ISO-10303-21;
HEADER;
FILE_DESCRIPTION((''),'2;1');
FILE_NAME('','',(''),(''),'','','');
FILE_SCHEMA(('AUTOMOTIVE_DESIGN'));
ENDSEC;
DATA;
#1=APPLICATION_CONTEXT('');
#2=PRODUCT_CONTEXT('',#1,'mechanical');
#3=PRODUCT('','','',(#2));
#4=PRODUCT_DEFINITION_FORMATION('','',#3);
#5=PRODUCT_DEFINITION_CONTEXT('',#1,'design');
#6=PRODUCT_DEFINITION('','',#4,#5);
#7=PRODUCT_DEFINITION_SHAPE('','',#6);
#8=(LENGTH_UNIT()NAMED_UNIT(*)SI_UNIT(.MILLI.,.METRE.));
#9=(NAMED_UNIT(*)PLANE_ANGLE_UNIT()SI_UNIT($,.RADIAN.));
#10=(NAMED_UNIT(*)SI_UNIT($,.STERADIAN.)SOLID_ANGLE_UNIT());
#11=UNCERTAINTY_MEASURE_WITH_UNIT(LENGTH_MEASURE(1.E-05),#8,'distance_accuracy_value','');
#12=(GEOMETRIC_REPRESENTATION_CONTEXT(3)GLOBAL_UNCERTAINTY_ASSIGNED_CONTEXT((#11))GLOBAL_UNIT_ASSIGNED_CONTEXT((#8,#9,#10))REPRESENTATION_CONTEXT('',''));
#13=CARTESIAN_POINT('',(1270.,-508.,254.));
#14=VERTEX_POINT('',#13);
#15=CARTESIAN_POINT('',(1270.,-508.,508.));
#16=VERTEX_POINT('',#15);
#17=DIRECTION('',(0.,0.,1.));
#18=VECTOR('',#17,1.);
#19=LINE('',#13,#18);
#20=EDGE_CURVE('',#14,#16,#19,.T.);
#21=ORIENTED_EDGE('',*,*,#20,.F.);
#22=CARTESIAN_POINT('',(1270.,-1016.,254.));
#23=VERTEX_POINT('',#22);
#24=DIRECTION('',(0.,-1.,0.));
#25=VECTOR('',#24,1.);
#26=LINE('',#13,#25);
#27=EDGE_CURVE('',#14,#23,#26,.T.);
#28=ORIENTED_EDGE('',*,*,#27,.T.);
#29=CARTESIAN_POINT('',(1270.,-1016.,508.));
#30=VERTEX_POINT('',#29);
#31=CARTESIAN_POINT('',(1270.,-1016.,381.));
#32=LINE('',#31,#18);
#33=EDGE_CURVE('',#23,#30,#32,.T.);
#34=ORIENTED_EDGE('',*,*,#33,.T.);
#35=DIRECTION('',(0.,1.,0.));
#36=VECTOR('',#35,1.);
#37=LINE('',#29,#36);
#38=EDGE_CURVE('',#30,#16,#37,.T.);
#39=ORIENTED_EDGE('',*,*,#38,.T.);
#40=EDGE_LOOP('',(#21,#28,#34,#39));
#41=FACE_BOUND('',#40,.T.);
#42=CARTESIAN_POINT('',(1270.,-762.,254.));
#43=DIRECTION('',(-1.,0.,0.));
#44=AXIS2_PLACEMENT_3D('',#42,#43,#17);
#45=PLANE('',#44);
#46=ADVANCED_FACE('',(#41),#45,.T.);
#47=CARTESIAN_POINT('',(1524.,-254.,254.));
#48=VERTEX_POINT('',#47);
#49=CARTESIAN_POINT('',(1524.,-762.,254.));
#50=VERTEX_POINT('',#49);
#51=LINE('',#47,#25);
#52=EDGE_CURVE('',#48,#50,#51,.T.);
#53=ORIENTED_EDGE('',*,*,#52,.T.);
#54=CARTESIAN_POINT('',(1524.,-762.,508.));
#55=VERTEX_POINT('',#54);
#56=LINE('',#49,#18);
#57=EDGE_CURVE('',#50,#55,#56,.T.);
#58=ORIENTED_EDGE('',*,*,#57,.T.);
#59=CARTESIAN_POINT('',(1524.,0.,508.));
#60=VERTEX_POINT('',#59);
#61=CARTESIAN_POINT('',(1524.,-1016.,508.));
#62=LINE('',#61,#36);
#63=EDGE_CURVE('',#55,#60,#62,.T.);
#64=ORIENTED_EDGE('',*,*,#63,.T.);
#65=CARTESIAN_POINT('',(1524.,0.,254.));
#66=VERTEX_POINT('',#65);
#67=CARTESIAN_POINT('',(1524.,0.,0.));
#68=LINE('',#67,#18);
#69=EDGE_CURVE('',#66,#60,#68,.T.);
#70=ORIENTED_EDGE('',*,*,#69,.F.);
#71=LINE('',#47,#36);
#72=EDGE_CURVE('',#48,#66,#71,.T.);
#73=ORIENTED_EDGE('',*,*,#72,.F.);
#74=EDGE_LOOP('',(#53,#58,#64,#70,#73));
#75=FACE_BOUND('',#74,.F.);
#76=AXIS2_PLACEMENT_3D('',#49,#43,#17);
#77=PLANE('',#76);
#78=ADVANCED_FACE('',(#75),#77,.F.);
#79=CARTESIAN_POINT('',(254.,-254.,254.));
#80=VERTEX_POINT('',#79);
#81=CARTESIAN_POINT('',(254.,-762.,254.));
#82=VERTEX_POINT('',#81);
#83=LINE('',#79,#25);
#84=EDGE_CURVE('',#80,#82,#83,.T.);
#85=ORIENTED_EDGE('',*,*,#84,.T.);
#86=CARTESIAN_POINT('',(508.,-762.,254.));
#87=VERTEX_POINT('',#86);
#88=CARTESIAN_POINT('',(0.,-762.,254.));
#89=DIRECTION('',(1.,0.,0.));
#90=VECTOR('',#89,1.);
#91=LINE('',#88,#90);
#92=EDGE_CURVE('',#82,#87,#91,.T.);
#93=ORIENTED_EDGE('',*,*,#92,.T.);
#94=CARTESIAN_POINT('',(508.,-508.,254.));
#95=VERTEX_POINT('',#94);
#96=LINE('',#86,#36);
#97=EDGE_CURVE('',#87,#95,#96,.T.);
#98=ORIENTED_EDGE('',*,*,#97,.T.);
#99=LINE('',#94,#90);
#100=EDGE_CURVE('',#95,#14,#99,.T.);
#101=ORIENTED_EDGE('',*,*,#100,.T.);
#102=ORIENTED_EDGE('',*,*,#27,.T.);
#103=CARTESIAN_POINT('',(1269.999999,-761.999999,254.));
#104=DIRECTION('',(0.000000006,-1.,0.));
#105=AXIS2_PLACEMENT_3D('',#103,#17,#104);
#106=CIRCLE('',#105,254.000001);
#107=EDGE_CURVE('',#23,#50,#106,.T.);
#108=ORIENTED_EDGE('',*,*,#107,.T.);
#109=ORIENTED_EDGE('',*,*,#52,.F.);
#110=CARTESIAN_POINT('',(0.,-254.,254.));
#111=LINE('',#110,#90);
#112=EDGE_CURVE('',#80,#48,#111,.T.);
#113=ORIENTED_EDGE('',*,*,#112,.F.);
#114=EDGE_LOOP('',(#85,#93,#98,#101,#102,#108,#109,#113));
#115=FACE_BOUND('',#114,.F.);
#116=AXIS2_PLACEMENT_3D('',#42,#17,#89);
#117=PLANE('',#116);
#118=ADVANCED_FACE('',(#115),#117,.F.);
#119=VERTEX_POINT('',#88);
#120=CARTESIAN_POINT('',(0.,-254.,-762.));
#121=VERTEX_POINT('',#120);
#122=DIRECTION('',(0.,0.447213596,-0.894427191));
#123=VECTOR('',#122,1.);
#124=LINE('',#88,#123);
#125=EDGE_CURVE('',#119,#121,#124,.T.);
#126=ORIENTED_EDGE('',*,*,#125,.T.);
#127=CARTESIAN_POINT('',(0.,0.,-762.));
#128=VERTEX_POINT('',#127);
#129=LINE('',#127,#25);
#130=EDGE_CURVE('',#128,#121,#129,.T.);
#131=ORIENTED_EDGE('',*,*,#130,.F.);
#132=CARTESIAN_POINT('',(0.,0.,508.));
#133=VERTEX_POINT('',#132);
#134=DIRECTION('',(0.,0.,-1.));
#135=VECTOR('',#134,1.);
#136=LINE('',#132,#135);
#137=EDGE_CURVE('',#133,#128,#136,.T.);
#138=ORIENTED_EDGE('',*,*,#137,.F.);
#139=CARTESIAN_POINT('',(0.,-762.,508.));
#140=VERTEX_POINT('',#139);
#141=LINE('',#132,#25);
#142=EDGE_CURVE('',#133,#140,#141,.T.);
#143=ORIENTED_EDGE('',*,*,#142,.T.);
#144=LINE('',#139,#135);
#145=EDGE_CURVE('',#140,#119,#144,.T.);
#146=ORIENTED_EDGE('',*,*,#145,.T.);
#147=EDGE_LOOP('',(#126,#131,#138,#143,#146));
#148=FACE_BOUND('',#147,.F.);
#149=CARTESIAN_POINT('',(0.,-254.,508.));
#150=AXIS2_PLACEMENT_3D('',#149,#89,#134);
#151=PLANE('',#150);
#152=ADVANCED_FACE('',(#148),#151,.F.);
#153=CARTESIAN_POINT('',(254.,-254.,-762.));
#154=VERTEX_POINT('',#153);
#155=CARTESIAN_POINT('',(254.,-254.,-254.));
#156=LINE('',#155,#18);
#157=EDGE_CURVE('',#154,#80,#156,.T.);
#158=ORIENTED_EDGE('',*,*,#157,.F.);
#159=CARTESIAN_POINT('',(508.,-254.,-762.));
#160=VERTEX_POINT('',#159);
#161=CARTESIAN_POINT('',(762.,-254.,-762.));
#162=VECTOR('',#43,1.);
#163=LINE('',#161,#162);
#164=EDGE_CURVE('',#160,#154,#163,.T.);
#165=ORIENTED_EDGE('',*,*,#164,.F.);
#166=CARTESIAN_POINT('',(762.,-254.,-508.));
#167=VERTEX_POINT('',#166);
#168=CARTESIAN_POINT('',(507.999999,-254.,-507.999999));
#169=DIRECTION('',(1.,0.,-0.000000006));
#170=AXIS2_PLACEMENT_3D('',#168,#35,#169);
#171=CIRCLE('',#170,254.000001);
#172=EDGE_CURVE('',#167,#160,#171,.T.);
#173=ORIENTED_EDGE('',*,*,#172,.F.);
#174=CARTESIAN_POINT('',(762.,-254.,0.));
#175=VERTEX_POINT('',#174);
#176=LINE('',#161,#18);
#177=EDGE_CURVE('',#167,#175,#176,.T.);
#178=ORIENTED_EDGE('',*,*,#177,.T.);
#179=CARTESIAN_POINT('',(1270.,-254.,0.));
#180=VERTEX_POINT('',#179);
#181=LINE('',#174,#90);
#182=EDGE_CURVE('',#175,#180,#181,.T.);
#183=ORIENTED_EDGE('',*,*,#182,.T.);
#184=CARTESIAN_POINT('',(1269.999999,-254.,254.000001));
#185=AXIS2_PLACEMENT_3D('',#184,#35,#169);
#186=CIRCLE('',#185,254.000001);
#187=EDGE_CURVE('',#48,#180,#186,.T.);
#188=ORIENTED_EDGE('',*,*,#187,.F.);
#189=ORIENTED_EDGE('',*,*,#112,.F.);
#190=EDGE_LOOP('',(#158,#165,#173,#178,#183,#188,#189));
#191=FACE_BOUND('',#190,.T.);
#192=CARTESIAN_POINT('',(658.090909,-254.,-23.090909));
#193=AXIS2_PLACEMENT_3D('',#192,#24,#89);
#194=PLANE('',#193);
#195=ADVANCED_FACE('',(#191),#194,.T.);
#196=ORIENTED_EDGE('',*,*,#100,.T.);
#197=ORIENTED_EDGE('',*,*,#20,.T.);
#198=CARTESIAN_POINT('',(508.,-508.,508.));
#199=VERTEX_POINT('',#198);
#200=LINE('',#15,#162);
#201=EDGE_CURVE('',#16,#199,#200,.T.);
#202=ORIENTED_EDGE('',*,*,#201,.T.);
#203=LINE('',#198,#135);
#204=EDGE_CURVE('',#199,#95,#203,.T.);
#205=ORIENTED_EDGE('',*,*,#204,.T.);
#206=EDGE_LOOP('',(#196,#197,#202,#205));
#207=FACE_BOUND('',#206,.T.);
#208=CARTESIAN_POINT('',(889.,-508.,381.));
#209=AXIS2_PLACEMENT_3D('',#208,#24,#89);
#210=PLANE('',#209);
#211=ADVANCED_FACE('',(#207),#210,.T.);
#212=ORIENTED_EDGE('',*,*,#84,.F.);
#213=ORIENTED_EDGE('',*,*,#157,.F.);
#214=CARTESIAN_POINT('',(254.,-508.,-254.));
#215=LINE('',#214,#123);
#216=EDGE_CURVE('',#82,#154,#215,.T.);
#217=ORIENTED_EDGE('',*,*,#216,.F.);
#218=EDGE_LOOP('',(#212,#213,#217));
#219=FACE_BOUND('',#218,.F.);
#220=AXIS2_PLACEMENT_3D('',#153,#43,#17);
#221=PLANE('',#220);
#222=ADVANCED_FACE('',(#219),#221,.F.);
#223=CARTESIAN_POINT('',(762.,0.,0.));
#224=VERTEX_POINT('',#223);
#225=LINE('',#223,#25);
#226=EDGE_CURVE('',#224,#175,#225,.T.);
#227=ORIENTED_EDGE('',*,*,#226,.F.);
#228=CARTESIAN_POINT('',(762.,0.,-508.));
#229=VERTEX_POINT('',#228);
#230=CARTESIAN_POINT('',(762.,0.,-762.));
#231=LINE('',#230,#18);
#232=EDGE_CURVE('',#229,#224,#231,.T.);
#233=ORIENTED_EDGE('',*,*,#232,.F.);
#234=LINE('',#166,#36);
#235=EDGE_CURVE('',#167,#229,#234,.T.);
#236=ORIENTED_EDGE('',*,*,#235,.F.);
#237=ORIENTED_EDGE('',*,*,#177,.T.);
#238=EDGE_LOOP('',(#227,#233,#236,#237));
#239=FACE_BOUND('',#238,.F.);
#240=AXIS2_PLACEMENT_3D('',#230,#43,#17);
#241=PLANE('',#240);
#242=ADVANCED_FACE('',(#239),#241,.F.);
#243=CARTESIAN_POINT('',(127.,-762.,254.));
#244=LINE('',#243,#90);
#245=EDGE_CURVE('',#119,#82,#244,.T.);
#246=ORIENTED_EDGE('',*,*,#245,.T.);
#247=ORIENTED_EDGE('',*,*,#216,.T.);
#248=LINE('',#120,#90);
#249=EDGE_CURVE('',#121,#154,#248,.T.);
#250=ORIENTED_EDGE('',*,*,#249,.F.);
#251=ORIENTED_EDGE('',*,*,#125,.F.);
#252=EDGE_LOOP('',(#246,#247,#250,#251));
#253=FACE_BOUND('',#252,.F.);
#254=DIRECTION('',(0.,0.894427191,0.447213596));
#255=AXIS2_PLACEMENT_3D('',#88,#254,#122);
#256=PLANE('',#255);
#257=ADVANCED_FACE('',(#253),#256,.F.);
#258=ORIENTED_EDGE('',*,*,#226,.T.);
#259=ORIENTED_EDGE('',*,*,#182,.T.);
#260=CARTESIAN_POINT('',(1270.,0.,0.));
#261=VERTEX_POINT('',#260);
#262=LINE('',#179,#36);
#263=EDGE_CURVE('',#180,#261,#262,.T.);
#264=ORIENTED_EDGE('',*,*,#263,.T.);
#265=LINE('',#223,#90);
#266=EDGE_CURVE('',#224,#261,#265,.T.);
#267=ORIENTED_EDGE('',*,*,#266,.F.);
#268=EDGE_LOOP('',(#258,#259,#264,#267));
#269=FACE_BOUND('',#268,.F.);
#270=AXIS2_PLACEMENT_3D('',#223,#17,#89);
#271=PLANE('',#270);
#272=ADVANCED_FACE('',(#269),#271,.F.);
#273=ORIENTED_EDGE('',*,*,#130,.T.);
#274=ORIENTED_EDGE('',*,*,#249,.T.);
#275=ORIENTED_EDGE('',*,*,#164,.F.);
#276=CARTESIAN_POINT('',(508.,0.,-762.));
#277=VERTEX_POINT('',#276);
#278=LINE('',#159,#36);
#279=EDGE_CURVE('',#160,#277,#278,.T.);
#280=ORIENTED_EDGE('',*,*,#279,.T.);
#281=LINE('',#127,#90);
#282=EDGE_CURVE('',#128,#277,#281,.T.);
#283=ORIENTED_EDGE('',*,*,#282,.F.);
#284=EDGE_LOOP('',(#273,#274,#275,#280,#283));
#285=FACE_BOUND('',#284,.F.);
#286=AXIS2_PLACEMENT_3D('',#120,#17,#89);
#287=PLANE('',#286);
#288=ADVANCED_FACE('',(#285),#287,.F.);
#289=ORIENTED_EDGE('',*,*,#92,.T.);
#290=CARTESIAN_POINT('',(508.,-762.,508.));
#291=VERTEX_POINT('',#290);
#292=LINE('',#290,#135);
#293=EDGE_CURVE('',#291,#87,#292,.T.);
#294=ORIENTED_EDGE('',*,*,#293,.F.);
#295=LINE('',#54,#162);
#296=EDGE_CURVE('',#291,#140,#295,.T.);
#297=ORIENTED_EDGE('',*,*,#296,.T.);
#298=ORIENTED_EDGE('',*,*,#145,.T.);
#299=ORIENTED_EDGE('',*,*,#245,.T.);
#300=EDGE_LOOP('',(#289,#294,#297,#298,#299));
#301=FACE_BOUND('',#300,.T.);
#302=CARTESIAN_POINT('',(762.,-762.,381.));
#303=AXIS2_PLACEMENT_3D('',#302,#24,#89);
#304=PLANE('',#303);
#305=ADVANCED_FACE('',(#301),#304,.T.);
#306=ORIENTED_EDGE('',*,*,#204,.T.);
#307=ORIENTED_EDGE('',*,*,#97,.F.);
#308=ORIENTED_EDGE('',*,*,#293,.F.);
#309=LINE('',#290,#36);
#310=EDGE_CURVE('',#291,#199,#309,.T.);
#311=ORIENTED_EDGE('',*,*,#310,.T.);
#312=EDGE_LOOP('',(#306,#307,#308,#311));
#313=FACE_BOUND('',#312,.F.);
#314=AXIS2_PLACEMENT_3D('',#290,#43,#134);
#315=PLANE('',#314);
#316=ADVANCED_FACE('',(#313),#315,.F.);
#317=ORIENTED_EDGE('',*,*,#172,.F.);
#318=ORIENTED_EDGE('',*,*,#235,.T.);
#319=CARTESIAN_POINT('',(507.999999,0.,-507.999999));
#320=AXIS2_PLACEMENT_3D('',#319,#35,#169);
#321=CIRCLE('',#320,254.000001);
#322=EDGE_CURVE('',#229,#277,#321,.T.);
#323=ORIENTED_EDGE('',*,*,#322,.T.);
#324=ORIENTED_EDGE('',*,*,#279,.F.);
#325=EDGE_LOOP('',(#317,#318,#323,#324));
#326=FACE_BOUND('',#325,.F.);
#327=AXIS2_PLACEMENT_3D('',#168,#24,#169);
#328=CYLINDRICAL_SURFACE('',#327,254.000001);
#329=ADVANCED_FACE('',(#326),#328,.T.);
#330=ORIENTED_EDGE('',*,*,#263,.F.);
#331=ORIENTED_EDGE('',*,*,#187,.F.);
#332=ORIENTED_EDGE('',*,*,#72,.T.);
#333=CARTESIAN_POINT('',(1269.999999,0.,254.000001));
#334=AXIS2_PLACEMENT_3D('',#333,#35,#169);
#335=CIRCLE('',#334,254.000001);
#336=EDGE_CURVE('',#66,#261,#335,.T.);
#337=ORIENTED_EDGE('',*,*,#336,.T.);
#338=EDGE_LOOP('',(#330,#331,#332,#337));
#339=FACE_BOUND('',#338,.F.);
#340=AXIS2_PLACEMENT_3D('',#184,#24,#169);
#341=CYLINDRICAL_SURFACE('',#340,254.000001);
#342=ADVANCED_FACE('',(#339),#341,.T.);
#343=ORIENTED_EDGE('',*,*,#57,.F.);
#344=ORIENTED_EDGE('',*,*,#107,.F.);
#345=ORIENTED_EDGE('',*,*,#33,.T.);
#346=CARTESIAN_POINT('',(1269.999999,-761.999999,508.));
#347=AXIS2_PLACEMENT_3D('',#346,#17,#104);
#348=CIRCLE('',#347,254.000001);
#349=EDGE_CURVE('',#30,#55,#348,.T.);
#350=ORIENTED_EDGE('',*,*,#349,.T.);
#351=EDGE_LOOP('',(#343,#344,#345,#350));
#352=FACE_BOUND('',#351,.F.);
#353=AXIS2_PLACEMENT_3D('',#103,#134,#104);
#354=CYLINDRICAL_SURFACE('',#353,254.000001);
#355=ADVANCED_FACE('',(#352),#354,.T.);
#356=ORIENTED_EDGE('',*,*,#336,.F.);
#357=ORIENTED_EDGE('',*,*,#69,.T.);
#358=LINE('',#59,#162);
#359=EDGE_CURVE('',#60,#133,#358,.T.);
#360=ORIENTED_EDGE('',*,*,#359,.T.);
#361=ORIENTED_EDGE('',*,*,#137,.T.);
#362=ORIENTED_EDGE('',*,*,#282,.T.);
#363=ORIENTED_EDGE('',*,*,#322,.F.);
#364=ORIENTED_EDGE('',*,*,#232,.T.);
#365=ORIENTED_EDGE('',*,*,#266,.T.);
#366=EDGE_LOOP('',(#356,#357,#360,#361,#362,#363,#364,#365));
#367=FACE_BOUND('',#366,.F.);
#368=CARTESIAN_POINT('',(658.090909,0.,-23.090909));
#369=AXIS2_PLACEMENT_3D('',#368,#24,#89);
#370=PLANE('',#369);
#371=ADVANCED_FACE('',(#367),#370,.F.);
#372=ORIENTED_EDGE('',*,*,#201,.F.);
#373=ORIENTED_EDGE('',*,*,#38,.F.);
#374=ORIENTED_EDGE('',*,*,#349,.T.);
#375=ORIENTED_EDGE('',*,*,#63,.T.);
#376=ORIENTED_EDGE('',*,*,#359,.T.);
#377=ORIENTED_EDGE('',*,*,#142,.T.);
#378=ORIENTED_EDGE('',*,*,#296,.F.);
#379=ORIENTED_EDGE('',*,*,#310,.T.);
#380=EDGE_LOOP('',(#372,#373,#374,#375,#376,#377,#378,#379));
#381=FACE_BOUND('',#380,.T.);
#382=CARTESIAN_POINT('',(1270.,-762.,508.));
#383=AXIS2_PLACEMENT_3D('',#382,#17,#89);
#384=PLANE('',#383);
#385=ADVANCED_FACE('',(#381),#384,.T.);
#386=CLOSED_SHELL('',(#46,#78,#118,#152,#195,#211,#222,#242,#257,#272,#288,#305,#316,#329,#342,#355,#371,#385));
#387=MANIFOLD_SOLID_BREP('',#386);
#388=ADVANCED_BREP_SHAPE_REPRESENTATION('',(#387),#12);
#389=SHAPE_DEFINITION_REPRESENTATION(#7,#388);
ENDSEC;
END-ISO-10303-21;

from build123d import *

# Parameters (mm, degrees)
F1_DEPTH  = 254
F2_W      = 254
F2_H      = 1016
F3_DEPTH  = 508
F5_DEPTH  = 309.88
F7_DEPTH  = 508
F9_DEPTH  = 254
F10_W     = 254
F10_H     = 254
F11_DEPTH = 254
F13_DEPTH = 254
F15_DEPTH = 254
F17_DEPTH = 254


with BuildPart() as f1:
    # F0 (on Front) → F1 (new body)
    with BuildSketch(Plane.XZ):
        Polygon((1524, 508), (0, 508), (0, -762), (762, -762), (762, 0), (1524, 0), align=None)
    extrude(amount=F1_DEPTH)

    # F2 (on face) → F3 (join)
    with BuildSketch(Plane.XZ.offset(254)):
        with Locations((127, -254)):
            Rectangle(F2_W, F2_H)
    extrude(amount=F3_DEPTH)

    # F4 (on face) → F5 (cut)
    with BuildSketch(Plane(origin=(0, 0, 0), x_dir=(0, -1, 0), z_dir=(-1, 0, 0))):
        Polygon((762, 254), (254, -762), (508, -762), (762, -762), align=None)
    extrude(amount=-F5_DEPTH, mode=Mode.SUBTRACT)

    # F6 (on face) → F7 (join)
    with BuildSketch(Plane.XZ.offset(254)):
        Polygon((1524, 508), (0, 508), (0, 254), (254, 254), (1524, 254), align=None)
    extrude(amount=F7_DEPTH)

    # F8 (on face) → F9 (cut)
    with BuildSketch(Plane.XZ.offset(762)):
        Polygon((762, 508), (508, 508), (508, 254), (1270, 254), (1270, 508), (1016, 508), align=None)
    extrude(amount=-F9_DEPTH, mode=Mode.SUBTRACT)

    # F10 (on face) → F11 (join)
    with BuildSketch(Plane.XZ.offset(762)):
        with Locations((1397, 381)):
            Rectangle(F10_W, F10_H)
    extrude(amount=F11_DEPTH)

    # F12 (on face) → F13 (cut)
    with BuildSketch(Plane.XZ.offset(254)):
        with BuildLine():
            ThreePointArc((762, -508), (687.605122, -687.605122), (508, -762))
            Line((508, -762), (762, -762))
            Line((762, -762), (762, -508))
        make_face()
    extrude(amount=-F13_DEPTH, mode=Mode.SUBTRACT)

    # F14 (on face) → F15 (cut)
    with BuildSketch(Plane.XZ.offset(254)):
        with BuildLine():
            Line((1524, 0), (1524, 254))
            ThreePointArc((1524, 254), (1449.605122, 74.394878), (1270, 0))
            Line((1270, 0), (1524, 0))
        make_face()
    extrude(amount=-F15_DEPTH, mode=Mode.SUBTRACT)

    # F16 (on face) → F17 (cut)
    with BuildSketch(Plane(origin=(0, 0, 254), x_dir=(1, 0, 0), z_dir=(0, 0, -1))):
        with BuildLine():
            Line((1524, 1016), (1270, 1016))
            ThreePointArc((1270, 1016), (1449.605122, 941.605122), (1524, 762))
            Line((1524, 762), (1524, 1016))
        make_face()
    extrude(amount=-F17_DEPTH, mode=Mode.SUBTRACT)


solid = f1.part
